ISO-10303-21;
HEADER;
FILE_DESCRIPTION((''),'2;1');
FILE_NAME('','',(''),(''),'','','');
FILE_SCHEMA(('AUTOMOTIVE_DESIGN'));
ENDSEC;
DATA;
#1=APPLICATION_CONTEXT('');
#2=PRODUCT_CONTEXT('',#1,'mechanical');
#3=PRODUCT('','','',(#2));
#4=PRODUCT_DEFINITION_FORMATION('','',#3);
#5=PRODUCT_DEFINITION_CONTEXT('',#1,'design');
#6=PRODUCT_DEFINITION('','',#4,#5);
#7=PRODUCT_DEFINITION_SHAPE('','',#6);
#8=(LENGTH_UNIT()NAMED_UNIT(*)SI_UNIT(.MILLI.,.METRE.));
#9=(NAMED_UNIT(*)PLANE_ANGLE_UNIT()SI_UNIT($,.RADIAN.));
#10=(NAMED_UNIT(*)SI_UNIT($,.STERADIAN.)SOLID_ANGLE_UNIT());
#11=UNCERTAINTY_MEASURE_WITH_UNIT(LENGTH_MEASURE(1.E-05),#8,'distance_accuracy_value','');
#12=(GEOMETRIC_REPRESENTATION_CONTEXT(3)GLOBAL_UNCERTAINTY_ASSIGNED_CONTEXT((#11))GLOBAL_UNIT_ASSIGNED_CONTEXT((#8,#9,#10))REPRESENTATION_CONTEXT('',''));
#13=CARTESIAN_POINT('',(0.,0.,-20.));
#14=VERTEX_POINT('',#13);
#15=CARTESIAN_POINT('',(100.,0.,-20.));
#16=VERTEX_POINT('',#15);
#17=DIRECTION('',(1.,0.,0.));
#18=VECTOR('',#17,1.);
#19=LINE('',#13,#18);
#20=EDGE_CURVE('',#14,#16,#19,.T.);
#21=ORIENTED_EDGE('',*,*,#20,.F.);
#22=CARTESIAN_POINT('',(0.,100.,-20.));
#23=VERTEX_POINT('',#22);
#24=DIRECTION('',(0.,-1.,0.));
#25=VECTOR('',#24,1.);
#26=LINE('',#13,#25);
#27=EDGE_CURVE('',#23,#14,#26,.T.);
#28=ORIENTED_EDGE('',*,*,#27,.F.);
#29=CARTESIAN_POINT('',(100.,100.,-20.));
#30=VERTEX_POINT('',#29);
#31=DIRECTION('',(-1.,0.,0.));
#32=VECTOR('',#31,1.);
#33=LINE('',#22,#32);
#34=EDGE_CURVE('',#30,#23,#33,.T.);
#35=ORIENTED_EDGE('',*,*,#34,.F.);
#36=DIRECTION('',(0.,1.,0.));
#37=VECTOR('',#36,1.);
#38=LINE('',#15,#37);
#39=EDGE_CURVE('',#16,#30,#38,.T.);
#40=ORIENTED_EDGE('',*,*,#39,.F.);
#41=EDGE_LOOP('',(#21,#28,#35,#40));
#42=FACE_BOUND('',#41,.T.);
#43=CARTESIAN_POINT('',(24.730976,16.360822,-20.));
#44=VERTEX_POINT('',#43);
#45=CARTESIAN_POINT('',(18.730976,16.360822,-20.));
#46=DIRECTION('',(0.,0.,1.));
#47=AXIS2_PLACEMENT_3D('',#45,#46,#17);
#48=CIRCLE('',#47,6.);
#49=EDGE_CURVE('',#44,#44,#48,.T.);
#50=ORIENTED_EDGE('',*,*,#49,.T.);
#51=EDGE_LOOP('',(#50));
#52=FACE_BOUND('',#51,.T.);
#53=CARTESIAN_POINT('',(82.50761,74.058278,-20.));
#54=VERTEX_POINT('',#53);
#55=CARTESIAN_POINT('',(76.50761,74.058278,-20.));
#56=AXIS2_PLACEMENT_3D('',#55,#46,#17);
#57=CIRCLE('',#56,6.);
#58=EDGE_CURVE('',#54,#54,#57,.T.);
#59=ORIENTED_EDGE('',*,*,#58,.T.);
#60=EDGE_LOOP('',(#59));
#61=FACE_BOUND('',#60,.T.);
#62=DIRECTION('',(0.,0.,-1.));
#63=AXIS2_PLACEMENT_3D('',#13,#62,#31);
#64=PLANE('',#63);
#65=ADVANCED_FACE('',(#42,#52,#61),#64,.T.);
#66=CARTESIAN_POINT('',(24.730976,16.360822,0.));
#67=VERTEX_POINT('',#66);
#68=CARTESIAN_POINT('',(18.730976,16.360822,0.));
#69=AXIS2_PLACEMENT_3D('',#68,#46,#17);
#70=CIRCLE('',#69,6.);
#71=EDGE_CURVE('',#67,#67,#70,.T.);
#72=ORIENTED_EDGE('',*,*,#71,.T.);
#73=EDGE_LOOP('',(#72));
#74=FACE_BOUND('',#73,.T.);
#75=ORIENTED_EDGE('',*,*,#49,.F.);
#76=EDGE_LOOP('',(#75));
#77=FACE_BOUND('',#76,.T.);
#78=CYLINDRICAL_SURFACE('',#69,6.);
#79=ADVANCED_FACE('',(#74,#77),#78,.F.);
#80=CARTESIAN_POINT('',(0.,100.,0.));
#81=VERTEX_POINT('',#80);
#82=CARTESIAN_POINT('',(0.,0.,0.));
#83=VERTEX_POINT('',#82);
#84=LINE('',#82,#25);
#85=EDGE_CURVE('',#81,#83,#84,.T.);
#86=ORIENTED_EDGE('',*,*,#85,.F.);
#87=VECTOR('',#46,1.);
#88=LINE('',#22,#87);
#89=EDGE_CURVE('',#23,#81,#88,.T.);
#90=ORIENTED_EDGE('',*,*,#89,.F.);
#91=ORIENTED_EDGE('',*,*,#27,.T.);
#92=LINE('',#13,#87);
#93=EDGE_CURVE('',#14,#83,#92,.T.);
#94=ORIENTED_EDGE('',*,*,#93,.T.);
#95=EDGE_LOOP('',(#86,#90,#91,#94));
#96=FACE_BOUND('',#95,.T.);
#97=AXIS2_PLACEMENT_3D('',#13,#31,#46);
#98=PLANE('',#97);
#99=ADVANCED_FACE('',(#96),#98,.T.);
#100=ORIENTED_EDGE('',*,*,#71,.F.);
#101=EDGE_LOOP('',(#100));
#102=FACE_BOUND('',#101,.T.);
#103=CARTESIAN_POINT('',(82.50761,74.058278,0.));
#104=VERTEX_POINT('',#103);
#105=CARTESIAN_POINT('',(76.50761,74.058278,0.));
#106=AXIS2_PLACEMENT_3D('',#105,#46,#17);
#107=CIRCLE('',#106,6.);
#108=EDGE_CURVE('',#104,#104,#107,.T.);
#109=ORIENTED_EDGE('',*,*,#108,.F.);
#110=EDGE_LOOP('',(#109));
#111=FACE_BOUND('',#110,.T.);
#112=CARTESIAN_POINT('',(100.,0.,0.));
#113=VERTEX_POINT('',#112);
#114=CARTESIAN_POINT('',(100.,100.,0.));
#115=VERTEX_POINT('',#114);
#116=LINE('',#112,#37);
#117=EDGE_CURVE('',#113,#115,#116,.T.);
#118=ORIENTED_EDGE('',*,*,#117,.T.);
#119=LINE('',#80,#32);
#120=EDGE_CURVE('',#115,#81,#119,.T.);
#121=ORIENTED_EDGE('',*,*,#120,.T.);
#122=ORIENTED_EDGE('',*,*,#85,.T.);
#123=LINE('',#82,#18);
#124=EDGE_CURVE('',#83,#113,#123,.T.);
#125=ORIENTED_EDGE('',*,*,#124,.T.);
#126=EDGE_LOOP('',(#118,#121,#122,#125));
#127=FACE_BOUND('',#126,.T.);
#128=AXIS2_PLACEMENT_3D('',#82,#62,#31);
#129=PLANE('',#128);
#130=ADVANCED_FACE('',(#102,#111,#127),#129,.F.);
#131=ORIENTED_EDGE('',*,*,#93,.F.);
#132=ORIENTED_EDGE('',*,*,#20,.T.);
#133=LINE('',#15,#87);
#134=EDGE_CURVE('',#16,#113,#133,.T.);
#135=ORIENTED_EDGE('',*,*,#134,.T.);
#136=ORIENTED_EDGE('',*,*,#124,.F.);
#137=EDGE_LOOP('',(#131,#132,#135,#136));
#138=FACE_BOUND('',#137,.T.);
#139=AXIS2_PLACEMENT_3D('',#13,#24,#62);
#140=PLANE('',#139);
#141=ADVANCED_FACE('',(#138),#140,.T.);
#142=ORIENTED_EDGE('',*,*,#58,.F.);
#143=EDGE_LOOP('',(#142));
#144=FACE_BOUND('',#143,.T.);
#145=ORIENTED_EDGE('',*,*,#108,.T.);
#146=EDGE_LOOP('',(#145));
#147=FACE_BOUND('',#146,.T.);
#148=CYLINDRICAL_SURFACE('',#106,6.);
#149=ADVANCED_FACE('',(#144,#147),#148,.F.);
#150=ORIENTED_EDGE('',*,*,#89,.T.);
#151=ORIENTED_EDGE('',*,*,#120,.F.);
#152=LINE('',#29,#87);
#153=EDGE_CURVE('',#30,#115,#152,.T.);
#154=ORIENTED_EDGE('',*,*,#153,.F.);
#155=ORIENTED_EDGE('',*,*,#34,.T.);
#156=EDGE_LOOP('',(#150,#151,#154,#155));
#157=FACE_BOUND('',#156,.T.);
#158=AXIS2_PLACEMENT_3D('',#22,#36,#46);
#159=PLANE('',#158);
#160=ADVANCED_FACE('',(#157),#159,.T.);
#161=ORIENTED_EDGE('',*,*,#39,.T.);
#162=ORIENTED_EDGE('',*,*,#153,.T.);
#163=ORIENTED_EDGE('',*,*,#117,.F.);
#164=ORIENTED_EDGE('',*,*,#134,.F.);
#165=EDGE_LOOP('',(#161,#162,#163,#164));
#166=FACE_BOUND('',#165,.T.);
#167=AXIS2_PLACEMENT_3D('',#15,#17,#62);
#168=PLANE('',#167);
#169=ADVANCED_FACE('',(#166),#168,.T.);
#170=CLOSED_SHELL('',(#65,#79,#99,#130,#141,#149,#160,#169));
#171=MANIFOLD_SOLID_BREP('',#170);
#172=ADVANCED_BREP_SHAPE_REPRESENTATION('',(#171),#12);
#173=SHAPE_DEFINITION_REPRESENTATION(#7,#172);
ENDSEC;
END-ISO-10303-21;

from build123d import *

# Parameters (mm, degrees)
SKETCH1_W                  = 100
SKETCH1_H                  = 100
BOSS_EXTRUDE1_DEPTH        = 20
F_12_0_12_DIAMETER_HOLE1_D = 12


with BuildPart() as part:
    # Sketch1 → Boss-Extrude1 (new body)
    with BuildSketch(Plane.XY):
        with Locations((50, 50)):
            Rectangle(SKETCH1_W, SKETCH1_H)
    extrude(amount=-BOSS_EXTRUDE1_DEPTH)

    # Ø12.0 (12) Diameter Hole1 (through all)
    with Locations(Plane.XY):
        with Locations((18.730975853, 16.360822488), (76.507609659, 74.058277502)):
            Hole(F_12_0_12_DIAMETER_HOLE1_D / 2)


solid = part.part
